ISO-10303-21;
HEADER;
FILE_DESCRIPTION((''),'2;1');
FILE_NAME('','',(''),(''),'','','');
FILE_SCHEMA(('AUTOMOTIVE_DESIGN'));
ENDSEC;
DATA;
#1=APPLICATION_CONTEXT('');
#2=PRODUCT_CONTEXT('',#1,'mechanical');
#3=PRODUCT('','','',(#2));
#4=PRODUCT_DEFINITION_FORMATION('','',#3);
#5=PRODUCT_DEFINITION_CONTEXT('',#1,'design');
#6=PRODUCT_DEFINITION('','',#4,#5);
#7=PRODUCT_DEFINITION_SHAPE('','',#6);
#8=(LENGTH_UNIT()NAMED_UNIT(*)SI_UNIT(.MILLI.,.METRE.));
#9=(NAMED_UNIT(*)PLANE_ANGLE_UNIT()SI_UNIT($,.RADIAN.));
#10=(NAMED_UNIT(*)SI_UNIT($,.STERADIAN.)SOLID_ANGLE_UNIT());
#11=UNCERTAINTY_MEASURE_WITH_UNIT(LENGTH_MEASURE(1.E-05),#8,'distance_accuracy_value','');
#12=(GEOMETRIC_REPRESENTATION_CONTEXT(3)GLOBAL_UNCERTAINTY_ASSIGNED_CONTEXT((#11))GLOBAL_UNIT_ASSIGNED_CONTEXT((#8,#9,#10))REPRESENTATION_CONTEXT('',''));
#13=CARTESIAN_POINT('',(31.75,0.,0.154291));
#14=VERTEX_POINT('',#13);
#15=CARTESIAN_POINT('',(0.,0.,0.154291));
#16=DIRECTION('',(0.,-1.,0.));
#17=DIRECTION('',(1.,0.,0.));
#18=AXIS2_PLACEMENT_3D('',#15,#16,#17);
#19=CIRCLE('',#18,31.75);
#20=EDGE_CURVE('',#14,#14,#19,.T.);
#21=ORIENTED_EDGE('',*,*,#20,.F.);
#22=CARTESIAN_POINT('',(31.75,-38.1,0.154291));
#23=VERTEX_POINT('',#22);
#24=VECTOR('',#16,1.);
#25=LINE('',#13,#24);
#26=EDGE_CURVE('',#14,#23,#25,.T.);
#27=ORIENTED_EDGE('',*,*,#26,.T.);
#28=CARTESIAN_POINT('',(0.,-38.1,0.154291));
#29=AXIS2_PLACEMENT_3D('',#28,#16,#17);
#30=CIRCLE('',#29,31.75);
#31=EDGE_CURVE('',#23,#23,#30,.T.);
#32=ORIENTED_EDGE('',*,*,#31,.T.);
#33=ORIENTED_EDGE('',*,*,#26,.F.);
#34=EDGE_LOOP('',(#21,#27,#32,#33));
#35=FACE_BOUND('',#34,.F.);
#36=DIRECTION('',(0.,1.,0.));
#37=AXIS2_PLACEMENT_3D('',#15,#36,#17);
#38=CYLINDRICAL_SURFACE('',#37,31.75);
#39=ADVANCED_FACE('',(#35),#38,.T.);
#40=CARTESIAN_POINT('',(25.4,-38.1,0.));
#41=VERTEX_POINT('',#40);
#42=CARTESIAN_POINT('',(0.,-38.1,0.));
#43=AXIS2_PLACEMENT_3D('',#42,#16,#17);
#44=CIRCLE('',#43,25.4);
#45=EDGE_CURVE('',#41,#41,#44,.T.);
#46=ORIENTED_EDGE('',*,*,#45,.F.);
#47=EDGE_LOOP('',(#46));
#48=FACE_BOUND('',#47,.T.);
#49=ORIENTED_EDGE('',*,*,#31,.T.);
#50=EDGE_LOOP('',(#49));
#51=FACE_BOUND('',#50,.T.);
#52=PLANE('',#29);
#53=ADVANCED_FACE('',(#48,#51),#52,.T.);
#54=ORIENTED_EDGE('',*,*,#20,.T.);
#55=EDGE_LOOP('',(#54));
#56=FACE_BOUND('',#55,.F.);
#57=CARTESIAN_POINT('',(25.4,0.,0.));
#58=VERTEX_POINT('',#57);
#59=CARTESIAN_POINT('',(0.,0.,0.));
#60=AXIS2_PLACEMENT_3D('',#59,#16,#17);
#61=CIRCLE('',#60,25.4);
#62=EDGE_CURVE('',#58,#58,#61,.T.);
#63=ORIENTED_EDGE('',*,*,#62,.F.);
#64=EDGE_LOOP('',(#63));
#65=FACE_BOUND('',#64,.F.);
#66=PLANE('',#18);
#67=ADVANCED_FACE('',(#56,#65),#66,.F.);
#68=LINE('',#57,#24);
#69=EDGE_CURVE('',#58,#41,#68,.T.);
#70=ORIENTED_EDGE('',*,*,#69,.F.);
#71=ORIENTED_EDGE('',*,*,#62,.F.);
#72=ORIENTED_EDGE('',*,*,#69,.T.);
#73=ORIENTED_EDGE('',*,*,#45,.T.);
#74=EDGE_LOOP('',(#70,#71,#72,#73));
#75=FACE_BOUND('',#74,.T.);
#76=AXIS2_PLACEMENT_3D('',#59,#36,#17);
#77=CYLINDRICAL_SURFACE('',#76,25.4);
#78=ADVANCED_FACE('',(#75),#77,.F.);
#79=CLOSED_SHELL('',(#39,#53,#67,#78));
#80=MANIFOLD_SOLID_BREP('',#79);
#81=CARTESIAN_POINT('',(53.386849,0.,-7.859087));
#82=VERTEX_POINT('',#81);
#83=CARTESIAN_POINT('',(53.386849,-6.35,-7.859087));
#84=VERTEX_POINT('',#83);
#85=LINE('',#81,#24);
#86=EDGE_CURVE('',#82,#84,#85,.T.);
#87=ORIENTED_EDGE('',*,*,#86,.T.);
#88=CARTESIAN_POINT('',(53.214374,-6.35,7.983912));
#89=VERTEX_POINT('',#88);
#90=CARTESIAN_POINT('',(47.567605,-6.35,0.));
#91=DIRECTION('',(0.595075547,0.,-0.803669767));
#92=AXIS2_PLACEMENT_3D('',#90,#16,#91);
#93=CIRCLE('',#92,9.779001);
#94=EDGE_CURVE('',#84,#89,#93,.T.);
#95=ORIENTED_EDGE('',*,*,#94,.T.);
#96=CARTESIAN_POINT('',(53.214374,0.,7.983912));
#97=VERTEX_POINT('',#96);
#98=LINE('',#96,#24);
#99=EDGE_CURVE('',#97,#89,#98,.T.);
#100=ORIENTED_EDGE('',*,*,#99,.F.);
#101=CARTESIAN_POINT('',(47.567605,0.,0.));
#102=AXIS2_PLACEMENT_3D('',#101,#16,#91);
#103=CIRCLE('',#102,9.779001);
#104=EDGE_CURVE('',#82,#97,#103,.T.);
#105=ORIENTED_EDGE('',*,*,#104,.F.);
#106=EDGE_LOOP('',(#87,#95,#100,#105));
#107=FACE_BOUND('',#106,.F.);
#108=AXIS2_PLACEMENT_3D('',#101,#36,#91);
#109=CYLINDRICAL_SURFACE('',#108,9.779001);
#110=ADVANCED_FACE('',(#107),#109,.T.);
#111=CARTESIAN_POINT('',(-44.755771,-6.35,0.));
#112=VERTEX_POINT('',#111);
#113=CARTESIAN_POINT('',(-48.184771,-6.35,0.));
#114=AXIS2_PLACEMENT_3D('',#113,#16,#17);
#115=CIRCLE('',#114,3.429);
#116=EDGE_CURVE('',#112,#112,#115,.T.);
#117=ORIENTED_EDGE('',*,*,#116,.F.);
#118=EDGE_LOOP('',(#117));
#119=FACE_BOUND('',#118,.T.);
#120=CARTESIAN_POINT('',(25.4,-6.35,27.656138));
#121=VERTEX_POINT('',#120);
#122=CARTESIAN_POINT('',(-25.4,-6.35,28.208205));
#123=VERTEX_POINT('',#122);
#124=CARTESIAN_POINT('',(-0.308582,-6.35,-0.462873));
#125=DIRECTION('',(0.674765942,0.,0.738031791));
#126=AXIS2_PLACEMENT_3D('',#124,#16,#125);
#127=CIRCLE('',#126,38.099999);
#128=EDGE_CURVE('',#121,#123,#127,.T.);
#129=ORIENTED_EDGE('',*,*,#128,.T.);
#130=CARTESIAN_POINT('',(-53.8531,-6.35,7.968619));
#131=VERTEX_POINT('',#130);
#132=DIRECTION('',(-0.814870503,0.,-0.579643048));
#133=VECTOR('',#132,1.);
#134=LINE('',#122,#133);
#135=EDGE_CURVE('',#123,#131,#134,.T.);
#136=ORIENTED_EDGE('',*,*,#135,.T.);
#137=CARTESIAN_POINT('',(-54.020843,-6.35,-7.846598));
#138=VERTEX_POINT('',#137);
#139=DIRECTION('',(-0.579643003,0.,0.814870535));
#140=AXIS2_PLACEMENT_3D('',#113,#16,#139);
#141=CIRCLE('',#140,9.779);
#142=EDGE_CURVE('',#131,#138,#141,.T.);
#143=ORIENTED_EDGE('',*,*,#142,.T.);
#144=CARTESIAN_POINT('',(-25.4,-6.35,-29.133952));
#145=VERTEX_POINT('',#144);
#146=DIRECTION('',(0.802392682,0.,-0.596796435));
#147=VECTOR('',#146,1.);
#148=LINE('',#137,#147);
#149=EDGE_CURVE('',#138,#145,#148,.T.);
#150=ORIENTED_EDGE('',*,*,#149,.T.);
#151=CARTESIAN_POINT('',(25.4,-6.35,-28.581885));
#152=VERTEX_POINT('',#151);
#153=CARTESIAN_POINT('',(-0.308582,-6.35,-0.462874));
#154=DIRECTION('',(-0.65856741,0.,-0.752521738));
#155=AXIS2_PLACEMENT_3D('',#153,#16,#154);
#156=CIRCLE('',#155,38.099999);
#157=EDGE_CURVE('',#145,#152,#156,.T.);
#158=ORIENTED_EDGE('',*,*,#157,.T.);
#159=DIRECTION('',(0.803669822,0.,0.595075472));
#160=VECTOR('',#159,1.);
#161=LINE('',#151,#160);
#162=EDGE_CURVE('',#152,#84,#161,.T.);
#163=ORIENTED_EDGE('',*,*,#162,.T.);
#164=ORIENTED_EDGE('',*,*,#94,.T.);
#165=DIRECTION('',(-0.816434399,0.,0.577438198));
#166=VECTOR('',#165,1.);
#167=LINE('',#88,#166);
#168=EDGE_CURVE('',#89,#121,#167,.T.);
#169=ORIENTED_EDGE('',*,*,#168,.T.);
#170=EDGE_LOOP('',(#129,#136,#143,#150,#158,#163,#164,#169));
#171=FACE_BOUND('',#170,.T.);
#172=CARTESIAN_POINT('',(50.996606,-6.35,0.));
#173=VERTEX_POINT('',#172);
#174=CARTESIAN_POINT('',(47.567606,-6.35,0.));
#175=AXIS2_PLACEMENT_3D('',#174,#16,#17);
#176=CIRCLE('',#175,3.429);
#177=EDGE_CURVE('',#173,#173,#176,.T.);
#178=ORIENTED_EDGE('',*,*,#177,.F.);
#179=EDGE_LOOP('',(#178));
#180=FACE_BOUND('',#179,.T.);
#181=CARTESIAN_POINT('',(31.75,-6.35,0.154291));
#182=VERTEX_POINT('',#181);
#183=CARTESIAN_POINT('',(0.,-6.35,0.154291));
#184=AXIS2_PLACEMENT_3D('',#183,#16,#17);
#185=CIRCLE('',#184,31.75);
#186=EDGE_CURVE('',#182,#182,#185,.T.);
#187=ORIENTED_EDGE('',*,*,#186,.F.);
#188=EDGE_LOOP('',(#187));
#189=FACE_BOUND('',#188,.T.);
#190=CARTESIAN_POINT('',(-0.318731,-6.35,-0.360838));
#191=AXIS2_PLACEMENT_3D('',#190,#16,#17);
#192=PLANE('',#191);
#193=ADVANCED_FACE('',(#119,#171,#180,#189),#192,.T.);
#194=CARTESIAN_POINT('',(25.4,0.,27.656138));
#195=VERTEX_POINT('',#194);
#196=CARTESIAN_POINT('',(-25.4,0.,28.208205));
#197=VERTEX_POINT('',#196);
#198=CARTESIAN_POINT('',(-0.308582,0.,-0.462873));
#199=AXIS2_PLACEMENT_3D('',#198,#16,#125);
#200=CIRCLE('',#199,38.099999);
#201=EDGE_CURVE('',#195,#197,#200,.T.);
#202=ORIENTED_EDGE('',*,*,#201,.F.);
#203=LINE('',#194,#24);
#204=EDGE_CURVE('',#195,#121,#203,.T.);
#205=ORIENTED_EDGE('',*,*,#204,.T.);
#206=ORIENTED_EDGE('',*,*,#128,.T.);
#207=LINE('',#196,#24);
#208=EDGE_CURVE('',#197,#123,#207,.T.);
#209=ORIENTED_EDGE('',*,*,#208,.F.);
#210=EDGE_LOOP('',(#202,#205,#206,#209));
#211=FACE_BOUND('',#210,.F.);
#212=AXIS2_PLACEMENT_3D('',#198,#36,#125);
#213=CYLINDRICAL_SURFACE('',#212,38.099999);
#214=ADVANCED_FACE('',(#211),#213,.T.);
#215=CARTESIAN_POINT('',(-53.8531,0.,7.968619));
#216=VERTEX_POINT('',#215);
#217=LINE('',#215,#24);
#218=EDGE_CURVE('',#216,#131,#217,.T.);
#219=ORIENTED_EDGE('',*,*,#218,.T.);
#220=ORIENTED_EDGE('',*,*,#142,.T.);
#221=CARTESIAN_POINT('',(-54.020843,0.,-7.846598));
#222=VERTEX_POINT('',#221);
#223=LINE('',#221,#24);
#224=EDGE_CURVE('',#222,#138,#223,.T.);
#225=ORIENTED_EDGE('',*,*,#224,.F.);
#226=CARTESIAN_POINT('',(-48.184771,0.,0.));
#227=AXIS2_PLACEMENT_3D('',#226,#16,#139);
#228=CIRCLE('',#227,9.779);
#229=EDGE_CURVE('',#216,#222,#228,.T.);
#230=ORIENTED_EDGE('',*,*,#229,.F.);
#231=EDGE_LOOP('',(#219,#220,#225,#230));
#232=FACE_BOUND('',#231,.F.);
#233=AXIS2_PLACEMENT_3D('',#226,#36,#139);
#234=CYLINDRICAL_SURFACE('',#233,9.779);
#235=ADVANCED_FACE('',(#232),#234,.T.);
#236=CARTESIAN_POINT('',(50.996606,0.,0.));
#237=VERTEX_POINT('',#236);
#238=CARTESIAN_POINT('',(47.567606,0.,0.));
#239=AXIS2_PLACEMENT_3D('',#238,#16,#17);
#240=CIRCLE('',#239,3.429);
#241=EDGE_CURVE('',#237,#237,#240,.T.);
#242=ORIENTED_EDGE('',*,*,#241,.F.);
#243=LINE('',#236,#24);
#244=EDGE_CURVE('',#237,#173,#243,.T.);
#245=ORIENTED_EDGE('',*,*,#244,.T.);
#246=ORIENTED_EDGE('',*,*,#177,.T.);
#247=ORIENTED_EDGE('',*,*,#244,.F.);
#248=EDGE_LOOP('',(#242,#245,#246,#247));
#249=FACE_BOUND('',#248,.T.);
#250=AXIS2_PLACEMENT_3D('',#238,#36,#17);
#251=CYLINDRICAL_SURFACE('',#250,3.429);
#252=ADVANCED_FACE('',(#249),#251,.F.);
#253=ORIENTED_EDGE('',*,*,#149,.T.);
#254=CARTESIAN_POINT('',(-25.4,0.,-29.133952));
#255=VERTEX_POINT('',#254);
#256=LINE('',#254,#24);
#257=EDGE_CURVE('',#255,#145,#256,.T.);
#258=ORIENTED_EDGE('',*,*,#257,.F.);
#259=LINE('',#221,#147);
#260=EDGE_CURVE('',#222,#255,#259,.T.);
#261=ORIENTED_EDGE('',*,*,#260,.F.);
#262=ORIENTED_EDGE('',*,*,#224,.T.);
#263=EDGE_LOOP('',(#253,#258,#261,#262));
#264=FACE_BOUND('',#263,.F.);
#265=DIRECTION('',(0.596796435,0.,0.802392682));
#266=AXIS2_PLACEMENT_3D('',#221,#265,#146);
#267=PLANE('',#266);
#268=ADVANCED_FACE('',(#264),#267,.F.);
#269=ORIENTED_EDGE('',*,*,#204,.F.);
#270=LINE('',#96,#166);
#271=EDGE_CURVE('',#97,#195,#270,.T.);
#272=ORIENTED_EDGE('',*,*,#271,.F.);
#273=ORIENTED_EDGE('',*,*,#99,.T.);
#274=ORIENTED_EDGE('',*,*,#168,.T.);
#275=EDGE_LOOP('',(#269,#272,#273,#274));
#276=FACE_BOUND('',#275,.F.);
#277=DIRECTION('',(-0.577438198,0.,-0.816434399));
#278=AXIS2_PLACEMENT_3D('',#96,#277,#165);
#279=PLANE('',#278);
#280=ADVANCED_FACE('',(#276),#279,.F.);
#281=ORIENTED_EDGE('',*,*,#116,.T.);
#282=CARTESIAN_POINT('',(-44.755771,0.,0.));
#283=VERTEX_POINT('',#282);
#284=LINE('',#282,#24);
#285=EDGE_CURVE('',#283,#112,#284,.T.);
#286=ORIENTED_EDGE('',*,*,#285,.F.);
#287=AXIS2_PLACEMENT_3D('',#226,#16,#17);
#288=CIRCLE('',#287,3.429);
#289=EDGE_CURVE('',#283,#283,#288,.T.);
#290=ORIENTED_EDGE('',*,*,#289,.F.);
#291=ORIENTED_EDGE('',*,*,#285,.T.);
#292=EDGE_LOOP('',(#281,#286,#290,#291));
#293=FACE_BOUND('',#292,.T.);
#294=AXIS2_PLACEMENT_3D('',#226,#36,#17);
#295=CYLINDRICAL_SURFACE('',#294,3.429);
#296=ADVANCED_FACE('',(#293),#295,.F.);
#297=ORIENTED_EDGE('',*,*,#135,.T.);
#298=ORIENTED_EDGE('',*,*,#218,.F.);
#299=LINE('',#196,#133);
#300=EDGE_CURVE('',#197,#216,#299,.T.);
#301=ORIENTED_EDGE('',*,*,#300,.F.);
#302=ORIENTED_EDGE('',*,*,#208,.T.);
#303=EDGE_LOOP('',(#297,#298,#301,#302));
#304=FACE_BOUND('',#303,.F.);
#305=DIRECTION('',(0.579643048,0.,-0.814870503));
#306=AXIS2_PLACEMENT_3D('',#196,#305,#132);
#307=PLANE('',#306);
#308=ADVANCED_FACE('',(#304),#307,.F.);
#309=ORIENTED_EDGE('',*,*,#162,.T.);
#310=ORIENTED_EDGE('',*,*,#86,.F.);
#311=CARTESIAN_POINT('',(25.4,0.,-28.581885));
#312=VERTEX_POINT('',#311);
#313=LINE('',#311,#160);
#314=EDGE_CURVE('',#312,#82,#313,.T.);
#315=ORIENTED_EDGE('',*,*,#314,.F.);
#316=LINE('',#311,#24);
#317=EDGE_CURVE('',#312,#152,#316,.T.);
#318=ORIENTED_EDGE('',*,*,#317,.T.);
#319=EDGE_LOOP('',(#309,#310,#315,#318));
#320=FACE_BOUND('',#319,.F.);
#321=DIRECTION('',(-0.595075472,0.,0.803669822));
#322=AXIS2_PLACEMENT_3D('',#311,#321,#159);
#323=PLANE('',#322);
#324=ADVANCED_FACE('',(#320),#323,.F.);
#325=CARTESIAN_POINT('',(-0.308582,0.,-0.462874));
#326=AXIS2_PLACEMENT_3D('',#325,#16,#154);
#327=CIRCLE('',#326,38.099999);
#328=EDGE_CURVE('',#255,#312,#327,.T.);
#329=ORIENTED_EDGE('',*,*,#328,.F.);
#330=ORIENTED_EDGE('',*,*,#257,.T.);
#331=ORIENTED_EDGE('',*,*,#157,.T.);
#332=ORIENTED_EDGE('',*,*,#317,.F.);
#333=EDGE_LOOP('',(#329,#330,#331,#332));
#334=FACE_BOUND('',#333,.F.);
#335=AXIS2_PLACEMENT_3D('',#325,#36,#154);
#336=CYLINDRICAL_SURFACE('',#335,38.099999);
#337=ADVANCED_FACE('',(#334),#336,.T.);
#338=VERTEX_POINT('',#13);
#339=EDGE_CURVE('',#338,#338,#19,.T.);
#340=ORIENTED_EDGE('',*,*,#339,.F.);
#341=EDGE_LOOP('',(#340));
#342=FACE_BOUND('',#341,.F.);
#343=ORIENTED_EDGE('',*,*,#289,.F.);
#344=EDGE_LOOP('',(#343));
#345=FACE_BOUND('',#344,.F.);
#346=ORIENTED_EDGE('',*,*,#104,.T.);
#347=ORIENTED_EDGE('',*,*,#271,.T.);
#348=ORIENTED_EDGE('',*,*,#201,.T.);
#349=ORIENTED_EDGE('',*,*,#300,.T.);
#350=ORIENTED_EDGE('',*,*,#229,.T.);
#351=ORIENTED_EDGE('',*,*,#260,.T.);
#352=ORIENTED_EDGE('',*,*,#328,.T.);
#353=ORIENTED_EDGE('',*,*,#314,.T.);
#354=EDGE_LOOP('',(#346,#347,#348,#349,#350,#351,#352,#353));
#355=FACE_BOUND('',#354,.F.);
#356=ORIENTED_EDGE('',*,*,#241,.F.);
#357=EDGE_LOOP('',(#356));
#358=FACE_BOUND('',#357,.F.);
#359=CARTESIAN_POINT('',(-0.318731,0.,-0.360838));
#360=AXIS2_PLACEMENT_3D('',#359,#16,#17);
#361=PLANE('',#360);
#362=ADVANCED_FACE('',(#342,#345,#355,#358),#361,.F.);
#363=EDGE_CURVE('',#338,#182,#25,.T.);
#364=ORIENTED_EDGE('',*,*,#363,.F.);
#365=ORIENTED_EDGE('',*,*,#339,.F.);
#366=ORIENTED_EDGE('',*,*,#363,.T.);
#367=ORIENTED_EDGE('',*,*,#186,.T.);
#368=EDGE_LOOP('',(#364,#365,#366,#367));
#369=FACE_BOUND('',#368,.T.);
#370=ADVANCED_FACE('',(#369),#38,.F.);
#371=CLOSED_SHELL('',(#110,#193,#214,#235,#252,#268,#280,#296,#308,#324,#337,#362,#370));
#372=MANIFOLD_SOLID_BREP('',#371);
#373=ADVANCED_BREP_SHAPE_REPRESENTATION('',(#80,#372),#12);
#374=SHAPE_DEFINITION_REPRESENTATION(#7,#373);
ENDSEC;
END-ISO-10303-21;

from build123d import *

# Parameters (mm, degrees)
F0_R     = 3.429
F0_R_2   = 31.75
F1_DEPTH = 6.35
F0_R_3   = 25.4
F2_DEPTH = 38.1


with BuildPart() as f1:
    # F0 (on Front) → F1 (new body)
    with BuildSketch(Plane.XZ):
        with BuildLine():
            Line((53.214374, 7.983912), (25.4, 27.656138))
            ThreePointArc((25.4, 27.656138), (0.105444, 37.634877), (-25.4, 28.208205))
            Line((-25.4, 28.208205), (-53.8531, 7.968619))
            ThreePointArc((-53.8531, 7.968619), (-57.963221, 0.103714), (-54.020843, -7.846598))
            Line((-54.020843, -7.846598), (-25.4, -29.133952))
            ThreePointArc((-25.4, -29.133952), (0.105444, -38.560624), (25.4, -28.581885))
            Line((25.4, -28.581885), (53.386849, -7.859087))
            ThreePointArc((53.386849, -7.859087), (57.346026, 0.106453), (53.214374, 7.983912))
        make_face()
        with Locations((-48.184771, 0)):
            Circle(F0_R, mode=Mode.SUBTRACT)
        with Locations((0, 0.154291)):
            Circle(F0_R_2, mode=Mode.SUBTRACT)
        with Locations((47.567606, 0)):
            Circle(F0_R, mode=Mode.SUBTRACT)
    extrude(amount=F1_DEPTH)


with BuildPart() as f2:
    # F0 (on Front) → F2 (new body)
    with BuildSketch(Plane.XZ):
        with Locations((0, 0.154291)):
            Circle(F0_R_2)
        Circle(F0_R_3, mode=Mode.SUBTRACT)
    extrude(amount=F2_DEPTH)


solid = Compound([f1.part, f2.part])
